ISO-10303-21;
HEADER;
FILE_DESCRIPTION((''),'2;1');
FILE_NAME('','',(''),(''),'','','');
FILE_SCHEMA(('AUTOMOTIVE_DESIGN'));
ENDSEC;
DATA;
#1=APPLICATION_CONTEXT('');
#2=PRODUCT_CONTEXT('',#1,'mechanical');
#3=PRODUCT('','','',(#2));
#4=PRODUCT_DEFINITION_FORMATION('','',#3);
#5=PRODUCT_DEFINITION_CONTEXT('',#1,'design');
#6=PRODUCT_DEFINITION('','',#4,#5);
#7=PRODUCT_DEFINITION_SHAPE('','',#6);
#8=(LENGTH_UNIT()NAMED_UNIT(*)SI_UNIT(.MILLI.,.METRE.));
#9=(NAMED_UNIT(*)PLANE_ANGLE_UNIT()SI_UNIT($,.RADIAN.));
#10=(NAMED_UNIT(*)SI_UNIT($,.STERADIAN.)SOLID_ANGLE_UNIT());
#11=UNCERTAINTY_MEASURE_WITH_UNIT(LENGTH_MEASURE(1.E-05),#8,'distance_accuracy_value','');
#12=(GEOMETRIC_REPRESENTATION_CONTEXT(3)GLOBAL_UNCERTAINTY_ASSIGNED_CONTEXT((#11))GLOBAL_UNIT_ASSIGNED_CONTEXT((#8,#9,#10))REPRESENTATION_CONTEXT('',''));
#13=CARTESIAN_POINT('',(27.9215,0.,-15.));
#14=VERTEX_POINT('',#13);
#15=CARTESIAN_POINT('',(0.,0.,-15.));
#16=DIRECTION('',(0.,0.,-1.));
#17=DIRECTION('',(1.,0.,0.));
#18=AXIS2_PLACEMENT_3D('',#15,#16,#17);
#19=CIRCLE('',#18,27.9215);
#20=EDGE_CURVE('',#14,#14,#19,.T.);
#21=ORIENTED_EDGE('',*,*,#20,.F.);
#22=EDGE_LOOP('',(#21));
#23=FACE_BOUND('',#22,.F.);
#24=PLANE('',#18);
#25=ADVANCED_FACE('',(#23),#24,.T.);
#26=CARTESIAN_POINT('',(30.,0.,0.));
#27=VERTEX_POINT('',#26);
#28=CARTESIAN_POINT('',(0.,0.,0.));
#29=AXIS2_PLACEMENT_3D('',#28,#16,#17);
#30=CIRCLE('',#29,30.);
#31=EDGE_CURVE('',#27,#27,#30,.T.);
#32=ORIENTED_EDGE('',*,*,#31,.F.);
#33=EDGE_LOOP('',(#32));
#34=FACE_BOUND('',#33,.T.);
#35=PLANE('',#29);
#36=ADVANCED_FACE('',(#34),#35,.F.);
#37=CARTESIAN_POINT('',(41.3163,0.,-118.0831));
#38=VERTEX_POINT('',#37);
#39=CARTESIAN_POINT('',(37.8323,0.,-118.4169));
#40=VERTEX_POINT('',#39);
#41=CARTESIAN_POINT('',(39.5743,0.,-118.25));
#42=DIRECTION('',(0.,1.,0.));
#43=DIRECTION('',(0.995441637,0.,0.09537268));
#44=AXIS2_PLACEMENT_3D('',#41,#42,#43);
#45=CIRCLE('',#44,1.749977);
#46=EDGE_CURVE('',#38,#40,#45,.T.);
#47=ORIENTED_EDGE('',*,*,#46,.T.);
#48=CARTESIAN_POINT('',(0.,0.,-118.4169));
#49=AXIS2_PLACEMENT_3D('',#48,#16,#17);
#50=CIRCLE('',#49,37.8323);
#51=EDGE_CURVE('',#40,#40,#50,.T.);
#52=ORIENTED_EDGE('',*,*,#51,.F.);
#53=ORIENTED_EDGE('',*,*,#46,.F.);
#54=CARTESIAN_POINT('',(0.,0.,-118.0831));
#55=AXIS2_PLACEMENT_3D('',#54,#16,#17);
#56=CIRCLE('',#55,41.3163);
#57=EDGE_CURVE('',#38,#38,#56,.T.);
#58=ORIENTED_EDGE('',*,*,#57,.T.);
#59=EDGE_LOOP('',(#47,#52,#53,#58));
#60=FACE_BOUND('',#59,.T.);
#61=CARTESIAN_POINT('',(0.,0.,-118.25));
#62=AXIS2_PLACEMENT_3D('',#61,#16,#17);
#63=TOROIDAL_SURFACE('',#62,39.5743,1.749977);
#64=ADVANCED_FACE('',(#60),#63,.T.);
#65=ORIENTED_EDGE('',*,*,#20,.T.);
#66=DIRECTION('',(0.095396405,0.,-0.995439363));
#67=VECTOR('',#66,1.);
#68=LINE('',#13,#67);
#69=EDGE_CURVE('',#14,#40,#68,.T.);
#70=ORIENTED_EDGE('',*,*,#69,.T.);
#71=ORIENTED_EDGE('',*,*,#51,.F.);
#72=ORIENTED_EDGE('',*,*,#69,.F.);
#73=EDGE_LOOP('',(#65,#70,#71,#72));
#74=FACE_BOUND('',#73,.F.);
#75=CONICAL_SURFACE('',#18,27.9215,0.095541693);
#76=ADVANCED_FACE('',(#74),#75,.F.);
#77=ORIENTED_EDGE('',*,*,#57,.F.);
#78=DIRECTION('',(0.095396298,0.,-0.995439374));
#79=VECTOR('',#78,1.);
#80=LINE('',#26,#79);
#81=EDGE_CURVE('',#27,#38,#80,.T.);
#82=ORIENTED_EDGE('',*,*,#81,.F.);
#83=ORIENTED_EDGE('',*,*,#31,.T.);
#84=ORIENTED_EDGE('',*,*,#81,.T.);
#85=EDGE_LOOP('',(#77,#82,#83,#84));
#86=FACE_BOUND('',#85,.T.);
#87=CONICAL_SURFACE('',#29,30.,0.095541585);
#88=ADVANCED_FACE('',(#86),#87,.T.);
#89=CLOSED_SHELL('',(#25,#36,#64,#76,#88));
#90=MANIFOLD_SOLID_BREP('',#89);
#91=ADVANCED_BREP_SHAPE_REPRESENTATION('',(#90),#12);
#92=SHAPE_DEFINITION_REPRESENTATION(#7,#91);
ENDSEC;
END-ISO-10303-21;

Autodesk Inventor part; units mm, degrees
ref_plane "YZ Plane" through (0, 0, 0) normal (1, 0, 0) x (0, 1, 0)
ref_plane "XZ Plane" through (0, 0, 0) normal (0, 1, 0) x (-1, 0, 0)
ref_plane "XY Plane" through (0, 0, 0) normal (0, 0, 1) x (1, 0, 0)
sketch "Skizze2" plane through (0, 0, 0) normal (0, 1, 0) x (-1, 0, 0)
  line L0 (0, 0) -> (-30, 0)
  line L1 (0, 0) -> (0, -120) construction
  line L2 (-41.5, -120) -> (0, -120) construction
  line L3 (-30, 0) -> (-41.3163, -118.0831)
  line L4 (0, -15) -> (0, 0)
  line L5 (0, -15) -> (-27.9215, -15)
  line L6 (-27.9215, -15) -> (-37.8323, -118.4169)
  arc A0 (-41.3163, -118.0831) -> (-37.8323, -118.4169) centre (-39.5743, -118.25) ccw
  dimension "d0" = 30
  dimension "d4" = 120
  dimension "d5" = 41.5
  dimension "d6" = 15
  dimension "d7" = 3.5
revolve "Umdrehung1" add sketch "Skizze2" angle 360 about axis through (0, 0, 0) along (0, 0, -1)
properties part number "CocktailGlas" material "Acryl, farblos"
